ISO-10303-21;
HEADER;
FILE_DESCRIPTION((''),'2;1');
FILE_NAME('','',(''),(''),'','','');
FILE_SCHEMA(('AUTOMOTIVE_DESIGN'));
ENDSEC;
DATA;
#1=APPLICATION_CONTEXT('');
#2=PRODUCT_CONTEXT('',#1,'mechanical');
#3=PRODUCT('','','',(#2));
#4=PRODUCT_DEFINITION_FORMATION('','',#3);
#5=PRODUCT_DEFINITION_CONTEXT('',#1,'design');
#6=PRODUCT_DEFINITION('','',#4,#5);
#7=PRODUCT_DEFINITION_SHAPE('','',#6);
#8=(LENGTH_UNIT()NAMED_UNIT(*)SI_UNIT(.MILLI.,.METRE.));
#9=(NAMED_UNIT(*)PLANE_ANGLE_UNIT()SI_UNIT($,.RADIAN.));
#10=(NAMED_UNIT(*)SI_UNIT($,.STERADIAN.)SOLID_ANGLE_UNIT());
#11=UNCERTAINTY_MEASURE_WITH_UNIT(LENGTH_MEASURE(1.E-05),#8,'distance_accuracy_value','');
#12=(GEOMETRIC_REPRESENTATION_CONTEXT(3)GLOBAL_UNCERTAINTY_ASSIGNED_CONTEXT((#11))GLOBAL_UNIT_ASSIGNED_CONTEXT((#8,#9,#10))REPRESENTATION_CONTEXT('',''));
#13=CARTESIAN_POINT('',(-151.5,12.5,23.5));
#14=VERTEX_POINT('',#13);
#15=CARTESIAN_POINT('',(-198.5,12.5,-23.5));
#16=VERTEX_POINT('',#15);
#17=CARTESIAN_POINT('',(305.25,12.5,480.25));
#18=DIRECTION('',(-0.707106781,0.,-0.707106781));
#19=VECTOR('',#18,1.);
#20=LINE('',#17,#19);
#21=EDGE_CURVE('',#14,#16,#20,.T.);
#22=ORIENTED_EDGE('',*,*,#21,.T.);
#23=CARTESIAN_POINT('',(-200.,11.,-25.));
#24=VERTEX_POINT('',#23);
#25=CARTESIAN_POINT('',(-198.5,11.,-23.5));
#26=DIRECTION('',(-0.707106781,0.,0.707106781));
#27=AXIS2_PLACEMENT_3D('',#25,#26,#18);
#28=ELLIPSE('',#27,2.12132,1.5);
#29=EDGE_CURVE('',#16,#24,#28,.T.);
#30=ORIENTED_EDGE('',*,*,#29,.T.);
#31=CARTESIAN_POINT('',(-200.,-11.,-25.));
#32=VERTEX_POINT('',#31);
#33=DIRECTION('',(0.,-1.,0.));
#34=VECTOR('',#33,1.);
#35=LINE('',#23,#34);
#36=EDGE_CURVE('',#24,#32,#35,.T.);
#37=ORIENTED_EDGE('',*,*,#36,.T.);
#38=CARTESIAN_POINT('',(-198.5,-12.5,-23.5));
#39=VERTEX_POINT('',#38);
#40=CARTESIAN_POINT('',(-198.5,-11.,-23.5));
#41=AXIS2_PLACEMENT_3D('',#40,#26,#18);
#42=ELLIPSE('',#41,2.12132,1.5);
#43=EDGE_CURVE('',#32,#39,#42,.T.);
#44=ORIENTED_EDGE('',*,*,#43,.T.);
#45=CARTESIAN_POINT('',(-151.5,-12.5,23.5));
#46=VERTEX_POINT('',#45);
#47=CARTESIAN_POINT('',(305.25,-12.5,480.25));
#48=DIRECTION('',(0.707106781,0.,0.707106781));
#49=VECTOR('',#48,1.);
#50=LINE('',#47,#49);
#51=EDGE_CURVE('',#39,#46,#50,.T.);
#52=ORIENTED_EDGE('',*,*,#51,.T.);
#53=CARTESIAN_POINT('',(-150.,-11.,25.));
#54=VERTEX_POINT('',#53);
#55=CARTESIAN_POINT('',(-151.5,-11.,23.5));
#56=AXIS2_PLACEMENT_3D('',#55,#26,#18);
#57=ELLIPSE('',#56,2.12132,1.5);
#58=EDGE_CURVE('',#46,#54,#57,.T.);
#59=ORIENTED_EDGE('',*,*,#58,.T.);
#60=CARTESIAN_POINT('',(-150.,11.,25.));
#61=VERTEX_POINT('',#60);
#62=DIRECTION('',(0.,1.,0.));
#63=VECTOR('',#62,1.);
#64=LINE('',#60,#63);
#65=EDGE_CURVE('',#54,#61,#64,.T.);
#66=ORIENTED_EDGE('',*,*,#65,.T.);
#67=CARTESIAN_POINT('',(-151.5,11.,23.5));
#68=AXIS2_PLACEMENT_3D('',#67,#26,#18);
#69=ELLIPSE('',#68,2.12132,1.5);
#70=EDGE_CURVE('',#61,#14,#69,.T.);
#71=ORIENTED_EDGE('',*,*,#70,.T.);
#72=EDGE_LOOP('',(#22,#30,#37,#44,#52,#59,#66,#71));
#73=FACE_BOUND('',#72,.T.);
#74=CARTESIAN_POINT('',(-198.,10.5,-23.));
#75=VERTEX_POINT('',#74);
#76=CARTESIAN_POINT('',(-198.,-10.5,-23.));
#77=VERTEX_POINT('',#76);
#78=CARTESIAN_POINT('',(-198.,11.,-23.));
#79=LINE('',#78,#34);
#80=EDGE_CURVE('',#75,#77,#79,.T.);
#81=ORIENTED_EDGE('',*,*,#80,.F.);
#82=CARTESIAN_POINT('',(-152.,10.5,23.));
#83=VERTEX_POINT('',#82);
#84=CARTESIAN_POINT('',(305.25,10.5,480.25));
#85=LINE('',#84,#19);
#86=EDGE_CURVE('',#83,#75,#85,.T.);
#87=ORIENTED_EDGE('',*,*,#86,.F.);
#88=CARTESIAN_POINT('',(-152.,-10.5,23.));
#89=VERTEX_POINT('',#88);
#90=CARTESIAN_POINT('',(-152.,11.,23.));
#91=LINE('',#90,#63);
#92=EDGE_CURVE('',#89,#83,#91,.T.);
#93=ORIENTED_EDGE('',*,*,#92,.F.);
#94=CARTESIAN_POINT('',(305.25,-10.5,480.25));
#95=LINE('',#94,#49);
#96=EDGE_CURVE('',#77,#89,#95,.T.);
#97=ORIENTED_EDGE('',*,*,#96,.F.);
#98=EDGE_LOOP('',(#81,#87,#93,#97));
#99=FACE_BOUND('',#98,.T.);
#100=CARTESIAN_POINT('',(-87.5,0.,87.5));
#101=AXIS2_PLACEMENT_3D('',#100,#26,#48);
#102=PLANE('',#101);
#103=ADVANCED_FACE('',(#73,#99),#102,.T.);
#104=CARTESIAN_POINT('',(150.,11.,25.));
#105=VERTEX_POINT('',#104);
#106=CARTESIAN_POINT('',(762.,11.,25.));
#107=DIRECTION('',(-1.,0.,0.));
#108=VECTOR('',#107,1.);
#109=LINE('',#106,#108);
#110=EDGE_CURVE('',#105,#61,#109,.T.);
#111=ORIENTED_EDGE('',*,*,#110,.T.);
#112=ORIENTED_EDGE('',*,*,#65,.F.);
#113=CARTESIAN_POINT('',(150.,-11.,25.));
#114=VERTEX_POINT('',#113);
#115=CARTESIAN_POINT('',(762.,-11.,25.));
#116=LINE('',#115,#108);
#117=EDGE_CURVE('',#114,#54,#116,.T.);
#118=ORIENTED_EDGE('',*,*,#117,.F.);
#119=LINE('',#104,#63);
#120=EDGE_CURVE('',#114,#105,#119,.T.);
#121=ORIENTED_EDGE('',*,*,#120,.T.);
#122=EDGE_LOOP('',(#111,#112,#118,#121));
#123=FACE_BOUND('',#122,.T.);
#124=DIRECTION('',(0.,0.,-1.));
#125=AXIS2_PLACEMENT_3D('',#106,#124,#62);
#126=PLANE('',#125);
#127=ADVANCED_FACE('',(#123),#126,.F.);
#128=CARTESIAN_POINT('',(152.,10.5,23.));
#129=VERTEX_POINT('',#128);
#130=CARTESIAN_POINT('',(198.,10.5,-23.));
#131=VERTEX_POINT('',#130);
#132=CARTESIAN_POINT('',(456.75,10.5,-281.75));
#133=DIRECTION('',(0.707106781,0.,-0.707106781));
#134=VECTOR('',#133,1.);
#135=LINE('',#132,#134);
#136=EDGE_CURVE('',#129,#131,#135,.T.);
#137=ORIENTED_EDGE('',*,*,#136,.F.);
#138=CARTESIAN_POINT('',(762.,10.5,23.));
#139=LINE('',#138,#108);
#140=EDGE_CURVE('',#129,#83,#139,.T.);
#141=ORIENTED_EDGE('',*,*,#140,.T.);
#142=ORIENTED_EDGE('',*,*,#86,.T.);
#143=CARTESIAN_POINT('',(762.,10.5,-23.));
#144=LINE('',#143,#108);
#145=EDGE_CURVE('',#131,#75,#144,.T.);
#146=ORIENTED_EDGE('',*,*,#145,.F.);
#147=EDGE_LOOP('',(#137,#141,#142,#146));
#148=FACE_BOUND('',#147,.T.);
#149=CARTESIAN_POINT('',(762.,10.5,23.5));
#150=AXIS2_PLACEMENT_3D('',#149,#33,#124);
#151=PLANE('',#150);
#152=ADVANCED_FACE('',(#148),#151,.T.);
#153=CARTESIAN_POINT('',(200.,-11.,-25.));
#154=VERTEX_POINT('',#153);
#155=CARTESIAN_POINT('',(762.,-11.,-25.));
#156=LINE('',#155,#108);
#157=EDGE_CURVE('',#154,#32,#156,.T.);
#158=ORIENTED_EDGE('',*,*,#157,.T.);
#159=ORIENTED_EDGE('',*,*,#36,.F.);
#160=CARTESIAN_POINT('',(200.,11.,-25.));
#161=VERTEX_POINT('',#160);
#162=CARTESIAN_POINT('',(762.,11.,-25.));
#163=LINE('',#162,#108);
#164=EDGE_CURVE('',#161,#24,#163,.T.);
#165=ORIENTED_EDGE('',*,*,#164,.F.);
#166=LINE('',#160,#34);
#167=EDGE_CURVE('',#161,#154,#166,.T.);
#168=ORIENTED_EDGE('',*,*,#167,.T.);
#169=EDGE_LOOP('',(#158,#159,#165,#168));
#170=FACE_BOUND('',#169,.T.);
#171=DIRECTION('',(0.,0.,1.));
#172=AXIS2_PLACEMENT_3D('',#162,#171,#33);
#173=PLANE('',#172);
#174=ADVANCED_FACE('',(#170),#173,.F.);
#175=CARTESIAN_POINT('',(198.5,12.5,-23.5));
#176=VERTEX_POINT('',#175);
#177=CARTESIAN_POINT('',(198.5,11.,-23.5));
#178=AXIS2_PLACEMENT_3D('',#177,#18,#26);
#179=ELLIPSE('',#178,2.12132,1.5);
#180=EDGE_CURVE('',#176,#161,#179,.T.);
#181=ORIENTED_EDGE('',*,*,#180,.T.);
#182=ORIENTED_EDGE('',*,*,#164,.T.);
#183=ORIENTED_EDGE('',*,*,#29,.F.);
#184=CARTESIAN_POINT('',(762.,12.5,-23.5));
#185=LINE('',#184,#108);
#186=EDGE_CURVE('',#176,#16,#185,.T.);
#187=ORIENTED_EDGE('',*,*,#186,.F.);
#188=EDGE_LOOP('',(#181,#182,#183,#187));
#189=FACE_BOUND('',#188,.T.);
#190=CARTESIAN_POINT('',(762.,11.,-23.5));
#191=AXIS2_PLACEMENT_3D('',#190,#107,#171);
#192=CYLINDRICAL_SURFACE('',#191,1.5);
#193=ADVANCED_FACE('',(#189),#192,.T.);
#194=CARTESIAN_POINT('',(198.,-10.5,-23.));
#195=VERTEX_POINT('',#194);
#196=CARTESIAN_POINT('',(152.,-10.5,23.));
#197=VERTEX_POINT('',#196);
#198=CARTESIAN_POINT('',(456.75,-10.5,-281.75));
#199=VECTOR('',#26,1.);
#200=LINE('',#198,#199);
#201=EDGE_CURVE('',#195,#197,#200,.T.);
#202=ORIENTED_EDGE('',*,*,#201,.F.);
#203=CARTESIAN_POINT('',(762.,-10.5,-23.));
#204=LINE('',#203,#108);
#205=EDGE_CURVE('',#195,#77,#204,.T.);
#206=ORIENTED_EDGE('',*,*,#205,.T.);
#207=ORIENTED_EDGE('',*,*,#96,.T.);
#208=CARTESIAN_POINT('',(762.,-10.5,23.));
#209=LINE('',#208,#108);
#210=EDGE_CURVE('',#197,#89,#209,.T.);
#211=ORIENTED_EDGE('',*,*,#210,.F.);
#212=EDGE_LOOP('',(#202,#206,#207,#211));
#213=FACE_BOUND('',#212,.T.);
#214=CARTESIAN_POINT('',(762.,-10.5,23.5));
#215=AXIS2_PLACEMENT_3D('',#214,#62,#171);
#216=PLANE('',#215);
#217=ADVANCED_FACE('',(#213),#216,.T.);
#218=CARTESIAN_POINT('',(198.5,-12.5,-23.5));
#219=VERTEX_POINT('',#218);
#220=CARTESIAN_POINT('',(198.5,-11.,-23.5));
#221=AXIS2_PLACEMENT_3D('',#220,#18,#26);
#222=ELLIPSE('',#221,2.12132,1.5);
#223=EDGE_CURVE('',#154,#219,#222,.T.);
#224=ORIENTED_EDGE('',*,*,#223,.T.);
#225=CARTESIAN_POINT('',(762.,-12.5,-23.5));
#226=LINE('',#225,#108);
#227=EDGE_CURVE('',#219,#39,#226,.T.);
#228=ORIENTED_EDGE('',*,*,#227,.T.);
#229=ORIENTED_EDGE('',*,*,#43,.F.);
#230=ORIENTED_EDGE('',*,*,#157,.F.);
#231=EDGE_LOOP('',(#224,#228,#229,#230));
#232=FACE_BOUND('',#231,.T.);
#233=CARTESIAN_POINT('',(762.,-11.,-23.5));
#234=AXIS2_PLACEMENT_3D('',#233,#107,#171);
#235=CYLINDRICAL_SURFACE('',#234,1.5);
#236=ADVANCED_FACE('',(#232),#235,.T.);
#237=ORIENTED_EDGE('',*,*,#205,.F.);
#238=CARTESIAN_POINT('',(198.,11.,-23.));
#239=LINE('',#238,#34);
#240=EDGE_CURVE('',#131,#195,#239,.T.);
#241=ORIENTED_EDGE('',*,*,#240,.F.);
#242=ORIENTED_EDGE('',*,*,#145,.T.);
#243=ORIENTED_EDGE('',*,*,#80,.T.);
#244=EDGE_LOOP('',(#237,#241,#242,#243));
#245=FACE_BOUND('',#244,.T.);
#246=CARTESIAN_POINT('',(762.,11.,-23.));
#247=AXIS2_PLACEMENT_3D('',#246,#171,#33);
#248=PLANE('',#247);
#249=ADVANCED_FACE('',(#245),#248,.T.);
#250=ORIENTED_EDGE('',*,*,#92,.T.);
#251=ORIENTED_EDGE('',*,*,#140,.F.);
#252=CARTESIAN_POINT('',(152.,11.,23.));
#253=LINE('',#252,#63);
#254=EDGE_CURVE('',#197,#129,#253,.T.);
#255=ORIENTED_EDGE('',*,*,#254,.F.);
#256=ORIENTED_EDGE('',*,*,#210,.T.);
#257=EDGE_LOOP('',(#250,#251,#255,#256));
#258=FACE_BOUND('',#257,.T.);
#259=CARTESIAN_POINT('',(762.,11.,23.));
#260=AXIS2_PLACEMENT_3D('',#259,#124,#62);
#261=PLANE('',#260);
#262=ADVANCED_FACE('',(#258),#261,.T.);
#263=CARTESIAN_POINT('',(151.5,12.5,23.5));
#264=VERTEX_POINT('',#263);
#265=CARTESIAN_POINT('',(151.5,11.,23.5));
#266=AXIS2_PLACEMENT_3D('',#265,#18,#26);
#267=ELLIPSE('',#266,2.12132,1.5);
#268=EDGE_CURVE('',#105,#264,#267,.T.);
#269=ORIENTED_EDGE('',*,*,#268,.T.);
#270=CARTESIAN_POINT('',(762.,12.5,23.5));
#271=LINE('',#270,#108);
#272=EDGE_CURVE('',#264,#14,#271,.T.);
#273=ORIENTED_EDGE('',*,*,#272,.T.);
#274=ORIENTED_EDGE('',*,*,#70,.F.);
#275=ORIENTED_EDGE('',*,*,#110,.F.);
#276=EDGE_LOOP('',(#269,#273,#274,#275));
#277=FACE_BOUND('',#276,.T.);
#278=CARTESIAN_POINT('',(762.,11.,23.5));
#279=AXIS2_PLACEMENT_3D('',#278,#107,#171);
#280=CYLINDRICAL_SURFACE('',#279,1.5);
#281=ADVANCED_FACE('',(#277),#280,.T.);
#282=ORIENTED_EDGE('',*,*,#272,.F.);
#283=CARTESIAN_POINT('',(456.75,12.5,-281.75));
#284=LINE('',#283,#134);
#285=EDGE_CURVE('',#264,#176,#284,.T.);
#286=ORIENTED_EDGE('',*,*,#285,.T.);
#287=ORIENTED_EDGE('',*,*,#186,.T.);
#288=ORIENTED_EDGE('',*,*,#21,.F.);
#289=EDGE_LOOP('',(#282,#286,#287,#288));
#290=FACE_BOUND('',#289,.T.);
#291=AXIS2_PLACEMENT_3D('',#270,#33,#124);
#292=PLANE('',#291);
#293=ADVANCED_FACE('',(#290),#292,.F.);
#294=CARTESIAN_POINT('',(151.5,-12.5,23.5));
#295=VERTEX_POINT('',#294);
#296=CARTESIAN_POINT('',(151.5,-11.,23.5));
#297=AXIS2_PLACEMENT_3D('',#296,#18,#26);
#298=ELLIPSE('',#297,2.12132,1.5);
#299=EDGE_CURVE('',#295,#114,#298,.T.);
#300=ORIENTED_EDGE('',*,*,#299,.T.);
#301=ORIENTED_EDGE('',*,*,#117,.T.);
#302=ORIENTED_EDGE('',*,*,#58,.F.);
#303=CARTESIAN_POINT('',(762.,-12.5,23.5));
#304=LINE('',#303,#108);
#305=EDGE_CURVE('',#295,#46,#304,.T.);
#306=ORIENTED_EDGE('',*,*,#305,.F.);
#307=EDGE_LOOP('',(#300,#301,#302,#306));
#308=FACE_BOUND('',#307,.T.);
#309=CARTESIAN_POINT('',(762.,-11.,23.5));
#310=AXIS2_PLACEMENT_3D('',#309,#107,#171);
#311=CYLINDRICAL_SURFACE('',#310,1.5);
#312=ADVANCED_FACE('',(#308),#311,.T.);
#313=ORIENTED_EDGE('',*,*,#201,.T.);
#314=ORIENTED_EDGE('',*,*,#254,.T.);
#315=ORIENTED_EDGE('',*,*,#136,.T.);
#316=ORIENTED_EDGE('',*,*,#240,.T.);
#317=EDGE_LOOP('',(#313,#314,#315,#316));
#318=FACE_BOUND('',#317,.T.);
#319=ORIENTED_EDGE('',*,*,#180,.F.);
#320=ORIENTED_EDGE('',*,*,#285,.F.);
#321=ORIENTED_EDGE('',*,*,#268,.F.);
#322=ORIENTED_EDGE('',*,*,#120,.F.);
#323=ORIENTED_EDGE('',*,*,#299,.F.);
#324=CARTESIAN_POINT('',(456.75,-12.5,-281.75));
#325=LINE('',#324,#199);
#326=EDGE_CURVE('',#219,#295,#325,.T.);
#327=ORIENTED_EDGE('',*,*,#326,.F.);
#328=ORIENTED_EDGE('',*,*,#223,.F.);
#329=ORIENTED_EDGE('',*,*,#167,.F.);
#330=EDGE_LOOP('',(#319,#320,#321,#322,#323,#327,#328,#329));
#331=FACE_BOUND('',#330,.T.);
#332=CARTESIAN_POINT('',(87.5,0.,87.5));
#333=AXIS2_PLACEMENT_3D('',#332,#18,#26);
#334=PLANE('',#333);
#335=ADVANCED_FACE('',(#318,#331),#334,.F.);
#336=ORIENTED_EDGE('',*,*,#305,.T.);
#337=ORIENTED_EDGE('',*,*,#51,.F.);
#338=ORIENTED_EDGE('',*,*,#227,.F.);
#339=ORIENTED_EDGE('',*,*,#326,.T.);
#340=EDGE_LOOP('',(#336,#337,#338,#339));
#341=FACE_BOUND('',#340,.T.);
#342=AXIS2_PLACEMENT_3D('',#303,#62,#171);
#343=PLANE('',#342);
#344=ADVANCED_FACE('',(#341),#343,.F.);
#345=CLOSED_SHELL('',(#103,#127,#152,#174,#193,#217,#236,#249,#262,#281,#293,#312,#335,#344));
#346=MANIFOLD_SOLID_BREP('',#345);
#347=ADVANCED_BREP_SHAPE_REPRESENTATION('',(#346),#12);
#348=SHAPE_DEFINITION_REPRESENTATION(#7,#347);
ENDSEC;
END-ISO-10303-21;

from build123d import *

# Parameters (mm, degrees)
BOSS_EXTRUDE1_DEPTH = 762
SHELL1_T            = -2


with BuildPart() as part:
    # Sketch1 → Boss-Extrude1 (new, symmetric)
    with BuildSketch(Plane(origin=(0, 0, 0), x_dir=(0, 0, -1), z_dir=(1, 0, 0))):
        with BuildLine():
            Line((-23.5, 12.5), (23.5, 12.5))
            ThreePointArc((23.5, 12.5), (24.560660172, 12.060660172), (25, 11))
            Line((25, 11), (25, -11))
            ThreePointArc((25, -11), (24.560660172, -12.060660172), (23.5, -12.5))
            Line((23.5, -12.5), (-23.5, -12.5))
            ThreePointArc((-23.5, -12.5), (-24.560660172, -12.060660172), (-25, -11))
            Line((-25, -11), (-25, 11))
            ThreePointArc((-25, 11), (-24.560660172, 12.060660172), (-23.5, 12.5))
        make_face()
    extrude(amount=BOSS_EXTRUDE1_DEPTH, both=True)

    # Shell1
    shell1_openings = [part.faces().sort_by_distance(p)[0] for p in [
        (762, 0, 0),
        (-762, 0, 0),
    ]]
    offset(amount=SHELL1_T, openings=shell1_openings, kind=Kind.INTERSECTION)

    # SurfaceCut1
    split(bisect_by=Plane(origin=(-87.5, 0, 87.5), x_dir=(0.707106781186551, 0, 0.7071067811865441), z_dir=(-0.7071067811865441, 0, 0.707106781186551)), keep=Keep.BOTTOM)

    # SurfaceCut2
    split(bisect_by=Plane(origin=(87.5, 0, 87.5), x_dir=(-0.707106781186551, 0, 0.7071067811865441), z_dir=(-0.7071067811865441, 0, -0.707106781186551)), keep=Keep.TOP)


solid = part.part
